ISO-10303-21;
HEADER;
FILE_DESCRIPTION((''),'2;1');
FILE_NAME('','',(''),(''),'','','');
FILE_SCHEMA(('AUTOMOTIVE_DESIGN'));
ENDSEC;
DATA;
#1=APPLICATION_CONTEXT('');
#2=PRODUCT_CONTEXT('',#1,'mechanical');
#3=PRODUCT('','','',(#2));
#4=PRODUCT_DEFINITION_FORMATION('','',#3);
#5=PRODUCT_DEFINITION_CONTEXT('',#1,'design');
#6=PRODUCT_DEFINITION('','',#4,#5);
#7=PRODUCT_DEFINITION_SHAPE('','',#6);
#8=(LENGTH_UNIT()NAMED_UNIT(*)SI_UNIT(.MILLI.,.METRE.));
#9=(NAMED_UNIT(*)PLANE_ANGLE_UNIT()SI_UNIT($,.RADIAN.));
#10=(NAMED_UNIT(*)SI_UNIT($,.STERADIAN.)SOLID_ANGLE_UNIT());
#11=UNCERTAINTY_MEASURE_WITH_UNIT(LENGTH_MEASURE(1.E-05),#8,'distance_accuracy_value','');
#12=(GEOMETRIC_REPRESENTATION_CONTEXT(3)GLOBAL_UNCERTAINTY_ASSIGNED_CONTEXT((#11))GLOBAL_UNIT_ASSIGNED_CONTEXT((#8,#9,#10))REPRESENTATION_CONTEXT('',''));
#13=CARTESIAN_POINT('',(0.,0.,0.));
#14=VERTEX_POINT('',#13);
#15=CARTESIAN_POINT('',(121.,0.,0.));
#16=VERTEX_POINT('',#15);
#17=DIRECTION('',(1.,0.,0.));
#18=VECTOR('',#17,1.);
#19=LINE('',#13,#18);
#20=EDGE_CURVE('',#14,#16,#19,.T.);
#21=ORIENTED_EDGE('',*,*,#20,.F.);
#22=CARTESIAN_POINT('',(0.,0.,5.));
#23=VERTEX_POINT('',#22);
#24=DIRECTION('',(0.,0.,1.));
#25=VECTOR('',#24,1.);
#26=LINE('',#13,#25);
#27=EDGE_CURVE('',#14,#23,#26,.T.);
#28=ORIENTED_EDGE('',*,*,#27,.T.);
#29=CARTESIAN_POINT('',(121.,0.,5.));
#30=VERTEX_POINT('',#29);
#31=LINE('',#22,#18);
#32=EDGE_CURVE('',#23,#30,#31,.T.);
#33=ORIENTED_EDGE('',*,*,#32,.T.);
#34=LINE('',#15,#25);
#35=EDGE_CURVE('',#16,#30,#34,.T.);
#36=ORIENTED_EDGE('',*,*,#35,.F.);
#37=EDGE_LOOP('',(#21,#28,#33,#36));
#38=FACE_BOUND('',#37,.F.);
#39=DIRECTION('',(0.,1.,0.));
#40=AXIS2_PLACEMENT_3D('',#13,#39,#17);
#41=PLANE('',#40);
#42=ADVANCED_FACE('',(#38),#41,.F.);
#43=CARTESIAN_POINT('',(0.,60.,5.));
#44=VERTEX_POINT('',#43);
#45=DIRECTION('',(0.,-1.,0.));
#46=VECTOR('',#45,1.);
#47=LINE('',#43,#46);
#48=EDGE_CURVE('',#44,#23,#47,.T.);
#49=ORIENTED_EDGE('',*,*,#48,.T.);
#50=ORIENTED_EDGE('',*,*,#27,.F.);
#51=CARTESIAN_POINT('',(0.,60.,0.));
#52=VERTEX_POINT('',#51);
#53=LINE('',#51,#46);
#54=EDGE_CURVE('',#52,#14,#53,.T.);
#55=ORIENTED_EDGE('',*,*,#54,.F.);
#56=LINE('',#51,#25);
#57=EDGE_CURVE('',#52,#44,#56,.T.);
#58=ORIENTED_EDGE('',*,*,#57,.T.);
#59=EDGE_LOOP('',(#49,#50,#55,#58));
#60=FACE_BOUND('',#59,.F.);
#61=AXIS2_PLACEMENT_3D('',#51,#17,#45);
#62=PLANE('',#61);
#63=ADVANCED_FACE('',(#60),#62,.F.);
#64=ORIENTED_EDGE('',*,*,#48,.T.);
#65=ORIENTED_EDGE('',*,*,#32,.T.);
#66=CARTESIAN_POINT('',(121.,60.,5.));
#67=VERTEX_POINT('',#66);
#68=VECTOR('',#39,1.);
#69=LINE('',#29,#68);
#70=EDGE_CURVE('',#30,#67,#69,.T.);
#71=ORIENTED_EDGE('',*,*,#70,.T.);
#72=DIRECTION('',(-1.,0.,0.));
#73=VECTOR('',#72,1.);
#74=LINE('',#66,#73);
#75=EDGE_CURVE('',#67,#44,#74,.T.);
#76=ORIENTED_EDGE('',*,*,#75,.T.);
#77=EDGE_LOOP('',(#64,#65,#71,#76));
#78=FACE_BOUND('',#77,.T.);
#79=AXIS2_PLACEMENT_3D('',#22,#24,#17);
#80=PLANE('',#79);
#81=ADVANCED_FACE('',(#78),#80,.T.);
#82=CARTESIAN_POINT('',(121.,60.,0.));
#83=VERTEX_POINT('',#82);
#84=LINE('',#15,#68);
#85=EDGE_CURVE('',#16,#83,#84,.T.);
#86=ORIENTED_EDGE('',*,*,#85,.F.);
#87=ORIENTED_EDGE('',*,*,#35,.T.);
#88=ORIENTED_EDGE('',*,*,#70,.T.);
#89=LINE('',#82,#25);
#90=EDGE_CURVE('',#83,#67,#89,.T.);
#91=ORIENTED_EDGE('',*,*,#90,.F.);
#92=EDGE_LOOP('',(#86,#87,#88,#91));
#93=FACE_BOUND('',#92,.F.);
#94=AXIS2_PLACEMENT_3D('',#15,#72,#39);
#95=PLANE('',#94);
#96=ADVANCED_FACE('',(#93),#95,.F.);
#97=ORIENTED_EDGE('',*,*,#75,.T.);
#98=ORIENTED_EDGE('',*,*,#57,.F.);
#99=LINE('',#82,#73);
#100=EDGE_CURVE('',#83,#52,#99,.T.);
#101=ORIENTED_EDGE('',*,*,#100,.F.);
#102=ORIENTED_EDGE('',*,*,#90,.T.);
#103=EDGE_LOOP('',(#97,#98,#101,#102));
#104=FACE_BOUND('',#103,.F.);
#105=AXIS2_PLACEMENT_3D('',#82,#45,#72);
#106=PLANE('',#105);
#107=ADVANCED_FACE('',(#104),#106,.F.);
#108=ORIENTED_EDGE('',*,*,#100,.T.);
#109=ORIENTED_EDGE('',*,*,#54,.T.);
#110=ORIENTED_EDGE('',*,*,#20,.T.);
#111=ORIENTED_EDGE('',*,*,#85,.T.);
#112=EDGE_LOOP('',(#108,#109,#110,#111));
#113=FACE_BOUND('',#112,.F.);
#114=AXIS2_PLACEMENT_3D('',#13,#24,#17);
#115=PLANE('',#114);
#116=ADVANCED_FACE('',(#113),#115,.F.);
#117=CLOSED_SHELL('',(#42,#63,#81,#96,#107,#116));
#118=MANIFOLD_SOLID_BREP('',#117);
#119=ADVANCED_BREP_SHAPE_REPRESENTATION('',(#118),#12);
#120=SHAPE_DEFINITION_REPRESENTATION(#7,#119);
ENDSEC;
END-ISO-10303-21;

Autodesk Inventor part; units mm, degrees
ref_plane "YZ Plane" through (0, 0, 0) normal (1, 0, 0) x (0, 1, 0)
ref_plane "XZ Plane" through (0, 0, 0) normal (0, 1, 0) x (-1, 0, 0)
ref_plane "XY Plane" through (0, 0, 0) normal (0, 0, 1) x (1, 0, 0)
sketch "Sketch1" plane through (0, 0, 0) normal (0, 0, 1) x (1, 0, 0)
  line L0 (0, 0) -> (121, 0)
  line L1 (121, 0) -> (121, 60)
  line L2 (121, 60) -> (0, 60)
  line L3 (0, 60) -> (0, 0)
  dimension "d0" = 121
  dimension "d1" = 60
extrude "Extrusion1" add sketch "Sketch1" along normal blind 5
equation "\"d0\" = tankw + 2 * slack + 2 * surroundt + 2 * pvct"
equation "\"d1\" = surroundh"
equation "\"d2\" = surroundt"
equation "\"lcsd\" = 19.05"
equation "\"lcwd1\" = 25"
equation "\"lcwd2\" = 34"
equation "\"lch1\" = 39"
equation "\"lcwd3\" = 43"
equation "\"dia1\" = 6"
equation "\"td\" = 18"
equation "\"bhh\" = 6"
equation "\"sw\" = 25"
equation "\"sh\" = 31"
equation "\"spacert\" = 2"
equation "\"pvct\" = 5"
equation "\"tankl\" = 379"
equation "\"dia4\" = 11"
equation "\"dia3\" = 8"
equation "\"play\" = 9"
equation "\"holeh\" = 26"
equation "\"surroundh\" = 60"
equation "\"slack\" = 0.5"
equation "\"surroundt\" = 5"
equation "\"play2\" = 3"
equation "\"diaoverflow\" = 25"
equation "\"diaair\" = 32"
equation "\"diaph\" = 32"
equation "\"diacucl\" = 32"
equation "\"diawater\" = 25"
equation "\"diasurroundhole\" = 42"
equation "\"diagrate\" = 12"
equation "\"gratespacing\" = 12.02082"
equation "\"bottomdist\" = 9.6355"
equation "\"sidedist\" = 13.9375"
equation "\"diahcl\" = 32"
equation "\"bracketwtop\" = 6"
equation "\"bracketwbottom\" = 6"
equation "\"nett\" = 1"
equation "\"nethole\" = 16"
equation "\"netside\" = 3.5"
equation "\"nettop\" = 7"
equation "\"netholespacing\" = 2"
equation "\"diaetape\" = 32"
equation "\"tankw\" = 100"
properties part number "surround_front back" material "PVC-Piping"
